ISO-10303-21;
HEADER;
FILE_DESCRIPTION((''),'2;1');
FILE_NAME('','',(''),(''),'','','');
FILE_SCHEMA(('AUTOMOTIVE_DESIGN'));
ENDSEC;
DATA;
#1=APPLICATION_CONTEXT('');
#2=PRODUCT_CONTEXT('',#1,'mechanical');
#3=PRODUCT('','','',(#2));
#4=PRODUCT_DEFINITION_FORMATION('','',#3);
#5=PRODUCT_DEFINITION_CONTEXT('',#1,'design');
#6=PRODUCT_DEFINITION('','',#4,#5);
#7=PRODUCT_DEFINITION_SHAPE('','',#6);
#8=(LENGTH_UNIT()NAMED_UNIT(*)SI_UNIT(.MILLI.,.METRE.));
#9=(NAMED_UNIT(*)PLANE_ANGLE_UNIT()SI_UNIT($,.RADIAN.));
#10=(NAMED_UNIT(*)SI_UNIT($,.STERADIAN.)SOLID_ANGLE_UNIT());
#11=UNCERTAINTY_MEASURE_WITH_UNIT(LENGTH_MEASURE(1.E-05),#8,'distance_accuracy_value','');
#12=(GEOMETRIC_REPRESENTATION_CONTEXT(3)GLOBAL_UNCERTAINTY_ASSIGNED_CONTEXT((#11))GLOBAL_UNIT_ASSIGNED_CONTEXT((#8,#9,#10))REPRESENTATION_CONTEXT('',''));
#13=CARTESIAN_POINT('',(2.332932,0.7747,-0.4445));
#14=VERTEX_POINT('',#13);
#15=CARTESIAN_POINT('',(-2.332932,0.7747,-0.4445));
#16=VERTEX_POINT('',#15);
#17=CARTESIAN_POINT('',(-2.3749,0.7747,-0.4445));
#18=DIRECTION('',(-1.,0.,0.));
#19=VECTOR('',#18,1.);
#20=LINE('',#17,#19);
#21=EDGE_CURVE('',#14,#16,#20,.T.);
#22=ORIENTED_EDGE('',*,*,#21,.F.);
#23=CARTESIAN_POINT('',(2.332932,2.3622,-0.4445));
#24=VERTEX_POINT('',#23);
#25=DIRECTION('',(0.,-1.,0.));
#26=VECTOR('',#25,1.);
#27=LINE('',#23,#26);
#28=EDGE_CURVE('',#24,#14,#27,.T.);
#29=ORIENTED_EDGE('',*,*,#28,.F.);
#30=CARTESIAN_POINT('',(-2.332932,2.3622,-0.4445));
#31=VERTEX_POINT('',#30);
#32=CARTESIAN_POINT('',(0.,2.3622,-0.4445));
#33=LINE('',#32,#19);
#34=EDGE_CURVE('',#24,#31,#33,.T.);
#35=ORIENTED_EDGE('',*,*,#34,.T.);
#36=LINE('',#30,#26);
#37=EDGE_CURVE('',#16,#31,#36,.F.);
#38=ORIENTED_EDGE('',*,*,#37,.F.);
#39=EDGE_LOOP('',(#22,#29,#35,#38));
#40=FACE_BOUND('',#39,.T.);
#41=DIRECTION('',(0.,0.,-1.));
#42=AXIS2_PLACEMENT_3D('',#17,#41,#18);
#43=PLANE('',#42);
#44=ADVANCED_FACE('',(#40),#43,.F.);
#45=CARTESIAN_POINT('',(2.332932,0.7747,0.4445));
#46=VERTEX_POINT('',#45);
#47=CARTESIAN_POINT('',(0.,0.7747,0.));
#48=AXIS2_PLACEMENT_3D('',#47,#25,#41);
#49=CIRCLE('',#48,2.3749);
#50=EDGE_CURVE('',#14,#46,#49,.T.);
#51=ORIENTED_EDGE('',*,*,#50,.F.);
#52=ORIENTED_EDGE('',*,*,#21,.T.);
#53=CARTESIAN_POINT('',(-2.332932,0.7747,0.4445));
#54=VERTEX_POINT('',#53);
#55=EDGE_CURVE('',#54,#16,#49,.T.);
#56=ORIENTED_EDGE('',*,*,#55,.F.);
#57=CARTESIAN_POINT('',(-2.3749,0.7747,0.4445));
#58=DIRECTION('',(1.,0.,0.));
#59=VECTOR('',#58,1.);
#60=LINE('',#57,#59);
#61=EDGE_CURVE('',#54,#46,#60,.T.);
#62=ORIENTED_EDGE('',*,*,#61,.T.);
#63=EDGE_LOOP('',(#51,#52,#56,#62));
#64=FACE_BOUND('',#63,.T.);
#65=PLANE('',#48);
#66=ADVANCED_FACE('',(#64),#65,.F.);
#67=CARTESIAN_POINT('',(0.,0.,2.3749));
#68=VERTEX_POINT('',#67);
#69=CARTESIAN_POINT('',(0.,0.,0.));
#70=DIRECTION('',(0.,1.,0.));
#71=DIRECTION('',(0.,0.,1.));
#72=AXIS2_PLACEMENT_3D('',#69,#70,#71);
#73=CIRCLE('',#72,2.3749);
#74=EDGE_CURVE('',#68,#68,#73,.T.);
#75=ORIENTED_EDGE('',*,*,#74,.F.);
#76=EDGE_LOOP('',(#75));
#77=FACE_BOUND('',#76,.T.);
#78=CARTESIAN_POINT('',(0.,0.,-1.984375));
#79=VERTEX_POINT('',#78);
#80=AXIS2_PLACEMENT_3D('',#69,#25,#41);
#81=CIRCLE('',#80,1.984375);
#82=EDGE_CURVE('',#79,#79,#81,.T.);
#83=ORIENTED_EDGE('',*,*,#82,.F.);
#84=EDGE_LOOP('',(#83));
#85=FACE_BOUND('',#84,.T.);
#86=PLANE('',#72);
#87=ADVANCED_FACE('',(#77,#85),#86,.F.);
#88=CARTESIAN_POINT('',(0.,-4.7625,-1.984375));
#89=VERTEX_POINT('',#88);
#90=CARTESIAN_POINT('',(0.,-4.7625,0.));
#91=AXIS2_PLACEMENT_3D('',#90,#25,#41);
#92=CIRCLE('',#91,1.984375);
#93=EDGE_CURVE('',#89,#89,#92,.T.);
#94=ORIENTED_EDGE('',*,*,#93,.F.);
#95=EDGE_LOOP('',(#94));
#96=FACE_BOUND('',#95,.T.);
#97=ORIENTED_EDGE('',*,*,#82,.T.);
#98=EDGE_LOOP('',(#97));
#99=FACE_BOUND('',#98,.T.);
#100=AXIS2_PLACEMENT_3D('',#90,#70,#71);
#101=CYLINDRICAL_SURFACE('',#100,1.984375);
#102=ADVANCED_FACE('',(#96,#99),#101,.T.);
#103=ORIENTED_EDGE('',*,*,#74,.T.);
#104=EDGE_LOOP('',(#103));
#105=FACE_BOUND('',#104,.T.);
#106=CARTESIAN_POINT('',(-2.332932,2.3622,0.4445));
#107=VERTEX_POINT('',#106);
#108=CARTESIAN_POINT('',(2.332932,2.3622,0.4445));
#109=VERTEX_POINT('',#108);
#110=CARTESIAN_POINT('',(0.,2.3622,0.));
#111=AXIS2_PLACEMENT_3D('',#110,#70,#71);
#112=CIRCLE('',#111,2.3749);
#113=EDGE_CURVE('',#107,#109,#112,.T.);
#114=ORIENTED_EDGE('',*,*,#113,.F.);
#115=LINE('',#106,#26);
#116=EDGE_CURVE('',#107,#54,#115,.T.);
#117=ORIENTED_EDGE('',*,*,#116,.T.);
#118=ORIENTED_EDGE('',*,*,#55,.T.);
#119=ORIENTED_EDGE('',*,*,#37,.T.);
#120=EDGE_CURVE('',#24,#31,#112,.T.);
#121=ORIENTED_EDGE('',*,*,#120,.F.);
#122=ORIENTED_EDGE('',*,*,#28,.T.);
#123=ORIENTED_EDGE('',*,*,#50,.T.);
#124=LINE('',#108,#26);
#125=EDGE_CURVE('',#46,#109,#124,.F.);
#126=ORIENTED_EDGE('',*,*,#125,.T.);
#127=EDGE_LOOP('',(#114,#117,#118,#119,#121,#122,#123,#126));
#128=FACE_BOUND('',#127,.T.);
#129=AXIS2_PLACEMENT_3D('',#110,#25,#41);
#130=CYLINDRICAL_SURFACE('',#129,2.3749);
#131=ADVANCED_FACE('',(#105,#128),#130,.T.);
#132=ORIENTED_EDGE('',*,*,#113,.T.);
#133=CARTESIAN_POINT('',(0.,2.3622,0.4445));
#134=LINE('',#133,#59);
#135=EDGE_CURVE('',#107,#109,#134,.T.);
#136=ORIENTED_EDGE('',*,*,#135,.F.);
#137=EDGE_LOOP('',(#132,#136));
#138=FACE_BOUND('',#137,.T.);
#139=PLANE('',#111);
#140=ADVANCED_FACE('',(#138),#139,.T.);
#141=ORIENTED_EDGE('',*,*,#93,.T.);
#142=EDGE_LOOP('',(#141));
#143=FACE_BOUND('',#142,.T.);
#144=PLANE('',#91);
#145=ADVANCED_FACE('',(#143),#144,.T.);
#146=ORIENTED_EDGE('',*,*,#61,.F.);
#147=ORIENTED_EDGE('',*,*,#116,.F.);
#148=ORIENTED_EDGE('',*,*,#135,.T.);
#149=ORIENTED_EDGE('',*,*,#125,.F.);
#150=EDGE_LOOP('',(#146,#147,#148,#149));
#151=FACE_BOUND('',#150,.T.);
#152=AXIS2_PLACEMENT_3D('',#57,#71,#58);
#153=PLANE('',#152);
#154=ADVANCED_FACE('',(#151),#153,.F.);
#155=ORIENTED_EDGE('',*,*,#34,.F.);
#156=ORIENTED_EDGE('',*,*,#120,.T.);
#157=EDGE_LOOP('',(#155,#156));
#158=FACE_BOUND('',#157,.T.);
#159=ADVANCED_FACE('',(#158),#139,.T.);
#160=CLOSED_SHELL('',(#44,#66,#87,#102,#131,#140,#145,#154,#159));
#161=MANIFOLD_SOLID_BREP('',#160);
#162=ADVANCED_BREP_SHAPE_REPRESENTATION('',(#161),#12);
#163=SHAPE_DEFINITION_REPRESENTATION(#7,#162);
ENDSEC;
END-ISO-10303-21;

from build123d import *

# Parameters (mm, degrees)
SKETCH1_R           = 2.3749
BOSS_EXTRUDE1_DEPTH = 2.3622
SKETCH2_R           = 1.984375
BOSS_EXTRUDE2_DEPTH = 4.7625
SKETCH3_W           = 4.7498
SKETCH3_H           = 0.889
CUT_EXTRUDE1_DEPTH  = 1.5875


with BuildPart() as part:
    # Sketch1 → Boss-Extrude1 (new body)
    with BuildSketch(Plane(origin=(0, 0, 0), x_dir=(1, 0, 0), z_dir=(0, 1, 0))):
        Circle(SKETCH1_R)
    extrude(amount=BOSS_EXTRUDE1_DEPTH)

    # Sketch2 → Boss-Extrude2 (add)
    with BuildSketch(Plane(origin=(0, 0, 0), x_dir=(-1, 0, 0), z_dir=(0, -1, 0))):
        Circle(SKETCH2_R)
    extrude(amount=BOSS_EXTRUDE2_DEPTH)

    # Sketch3 → Cut-Extrude1 (cut)
    with BuildSketch(Plane(origin=(0, 2.3622, 0), x_dir=(1, 0, 0), z_dir=(0, 1, 0))):
        Rectangle(SKETCH3_W, SKETCH3_H)
    extrude(amount=-CUT_EXTRUDE1_DEPTH, mode=Mode.SUBTRACT)


solid = part.part
